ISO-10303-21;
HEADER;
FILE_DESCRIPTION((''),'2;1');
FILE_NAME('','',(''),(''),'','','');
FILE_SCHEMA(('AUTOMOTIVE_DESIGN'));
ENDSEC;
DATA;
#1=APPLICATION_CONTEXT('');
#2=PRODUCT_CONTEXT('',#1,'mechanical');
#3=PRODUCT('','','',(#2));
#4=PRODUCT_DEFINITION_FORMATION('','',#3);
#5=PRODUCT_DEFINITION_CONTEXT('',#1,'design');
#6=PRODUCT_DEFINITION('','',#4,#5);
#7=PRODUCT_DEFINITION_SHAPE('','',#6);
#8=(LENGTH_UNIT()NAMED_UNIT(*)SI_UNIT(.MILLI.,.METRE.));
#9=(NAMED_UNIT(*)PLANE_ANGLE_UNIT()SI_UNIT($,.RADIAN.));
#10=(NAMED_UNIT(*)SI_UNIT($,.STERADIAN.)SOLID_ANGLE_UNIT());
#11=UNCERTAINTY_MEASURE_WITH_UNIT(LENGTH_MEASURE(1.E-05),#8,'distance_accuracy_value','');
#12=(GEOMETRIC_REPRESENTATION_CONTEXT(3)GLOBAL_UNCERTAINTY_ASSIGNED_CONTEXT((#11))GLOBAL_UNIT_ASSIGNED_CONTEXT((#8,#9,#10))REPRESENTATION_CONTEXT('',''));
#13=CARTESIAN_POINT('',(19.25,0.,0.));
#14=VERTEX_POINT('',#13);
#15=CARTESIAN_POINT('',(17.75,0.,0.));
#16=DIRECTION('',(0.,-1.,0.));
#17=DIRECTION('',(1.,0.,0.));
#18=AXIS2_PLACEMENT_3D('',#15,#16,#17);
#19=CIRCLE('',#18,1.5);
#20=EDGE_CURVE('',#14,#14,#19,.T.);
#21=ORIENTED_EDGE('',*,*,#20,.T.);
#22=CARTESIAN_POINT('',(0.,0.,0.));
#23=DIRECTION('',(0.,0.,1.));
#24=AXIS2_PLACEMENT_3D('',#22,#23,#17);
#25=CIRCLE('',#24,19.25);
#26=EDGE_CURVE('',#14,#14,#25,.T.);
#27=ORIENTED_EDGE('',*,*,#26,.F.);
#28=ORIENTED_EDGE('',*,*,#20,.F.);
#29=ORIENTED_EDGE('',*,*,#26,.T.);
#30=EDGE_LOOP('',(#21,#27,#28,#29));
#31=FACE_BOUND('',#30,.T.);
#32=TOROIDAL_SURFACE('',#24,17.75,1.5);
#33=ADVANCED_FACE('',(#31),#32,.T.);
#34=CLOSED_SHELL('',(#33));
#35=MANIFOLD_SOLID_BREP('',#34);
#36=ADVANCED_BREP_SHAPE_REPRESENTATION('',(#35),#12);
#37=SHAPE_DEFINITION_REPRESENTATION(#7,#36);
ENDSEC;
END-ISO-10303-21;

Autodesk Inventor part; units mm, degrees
sketch "Sketch2" plane through (0, 0, 0) normal (0, 0, 1) x (1, 0, 0)
  circle A0 centre (0, 0) radius 17.75
  dimension "d0" = 35.5
sketch "Sketch3" plane through (0, 0, 0) normal (0, 1, 0) x (-1, 0, 0)
  circle A0 centre (17.75, 0) radius 1.5
  line L0 (23.1, 0) -> (-3.85, 0) construction
  line L1 (0, -2.1) -> (0, 2.1) construction
  point P0 (0, 0)
  dimension "d1" = 3
  dimension "d2" = 17.75
sweep "Sweep1" add profiles "Sketch3" path "Sketch2"
properties part number "P030_OringCam"
